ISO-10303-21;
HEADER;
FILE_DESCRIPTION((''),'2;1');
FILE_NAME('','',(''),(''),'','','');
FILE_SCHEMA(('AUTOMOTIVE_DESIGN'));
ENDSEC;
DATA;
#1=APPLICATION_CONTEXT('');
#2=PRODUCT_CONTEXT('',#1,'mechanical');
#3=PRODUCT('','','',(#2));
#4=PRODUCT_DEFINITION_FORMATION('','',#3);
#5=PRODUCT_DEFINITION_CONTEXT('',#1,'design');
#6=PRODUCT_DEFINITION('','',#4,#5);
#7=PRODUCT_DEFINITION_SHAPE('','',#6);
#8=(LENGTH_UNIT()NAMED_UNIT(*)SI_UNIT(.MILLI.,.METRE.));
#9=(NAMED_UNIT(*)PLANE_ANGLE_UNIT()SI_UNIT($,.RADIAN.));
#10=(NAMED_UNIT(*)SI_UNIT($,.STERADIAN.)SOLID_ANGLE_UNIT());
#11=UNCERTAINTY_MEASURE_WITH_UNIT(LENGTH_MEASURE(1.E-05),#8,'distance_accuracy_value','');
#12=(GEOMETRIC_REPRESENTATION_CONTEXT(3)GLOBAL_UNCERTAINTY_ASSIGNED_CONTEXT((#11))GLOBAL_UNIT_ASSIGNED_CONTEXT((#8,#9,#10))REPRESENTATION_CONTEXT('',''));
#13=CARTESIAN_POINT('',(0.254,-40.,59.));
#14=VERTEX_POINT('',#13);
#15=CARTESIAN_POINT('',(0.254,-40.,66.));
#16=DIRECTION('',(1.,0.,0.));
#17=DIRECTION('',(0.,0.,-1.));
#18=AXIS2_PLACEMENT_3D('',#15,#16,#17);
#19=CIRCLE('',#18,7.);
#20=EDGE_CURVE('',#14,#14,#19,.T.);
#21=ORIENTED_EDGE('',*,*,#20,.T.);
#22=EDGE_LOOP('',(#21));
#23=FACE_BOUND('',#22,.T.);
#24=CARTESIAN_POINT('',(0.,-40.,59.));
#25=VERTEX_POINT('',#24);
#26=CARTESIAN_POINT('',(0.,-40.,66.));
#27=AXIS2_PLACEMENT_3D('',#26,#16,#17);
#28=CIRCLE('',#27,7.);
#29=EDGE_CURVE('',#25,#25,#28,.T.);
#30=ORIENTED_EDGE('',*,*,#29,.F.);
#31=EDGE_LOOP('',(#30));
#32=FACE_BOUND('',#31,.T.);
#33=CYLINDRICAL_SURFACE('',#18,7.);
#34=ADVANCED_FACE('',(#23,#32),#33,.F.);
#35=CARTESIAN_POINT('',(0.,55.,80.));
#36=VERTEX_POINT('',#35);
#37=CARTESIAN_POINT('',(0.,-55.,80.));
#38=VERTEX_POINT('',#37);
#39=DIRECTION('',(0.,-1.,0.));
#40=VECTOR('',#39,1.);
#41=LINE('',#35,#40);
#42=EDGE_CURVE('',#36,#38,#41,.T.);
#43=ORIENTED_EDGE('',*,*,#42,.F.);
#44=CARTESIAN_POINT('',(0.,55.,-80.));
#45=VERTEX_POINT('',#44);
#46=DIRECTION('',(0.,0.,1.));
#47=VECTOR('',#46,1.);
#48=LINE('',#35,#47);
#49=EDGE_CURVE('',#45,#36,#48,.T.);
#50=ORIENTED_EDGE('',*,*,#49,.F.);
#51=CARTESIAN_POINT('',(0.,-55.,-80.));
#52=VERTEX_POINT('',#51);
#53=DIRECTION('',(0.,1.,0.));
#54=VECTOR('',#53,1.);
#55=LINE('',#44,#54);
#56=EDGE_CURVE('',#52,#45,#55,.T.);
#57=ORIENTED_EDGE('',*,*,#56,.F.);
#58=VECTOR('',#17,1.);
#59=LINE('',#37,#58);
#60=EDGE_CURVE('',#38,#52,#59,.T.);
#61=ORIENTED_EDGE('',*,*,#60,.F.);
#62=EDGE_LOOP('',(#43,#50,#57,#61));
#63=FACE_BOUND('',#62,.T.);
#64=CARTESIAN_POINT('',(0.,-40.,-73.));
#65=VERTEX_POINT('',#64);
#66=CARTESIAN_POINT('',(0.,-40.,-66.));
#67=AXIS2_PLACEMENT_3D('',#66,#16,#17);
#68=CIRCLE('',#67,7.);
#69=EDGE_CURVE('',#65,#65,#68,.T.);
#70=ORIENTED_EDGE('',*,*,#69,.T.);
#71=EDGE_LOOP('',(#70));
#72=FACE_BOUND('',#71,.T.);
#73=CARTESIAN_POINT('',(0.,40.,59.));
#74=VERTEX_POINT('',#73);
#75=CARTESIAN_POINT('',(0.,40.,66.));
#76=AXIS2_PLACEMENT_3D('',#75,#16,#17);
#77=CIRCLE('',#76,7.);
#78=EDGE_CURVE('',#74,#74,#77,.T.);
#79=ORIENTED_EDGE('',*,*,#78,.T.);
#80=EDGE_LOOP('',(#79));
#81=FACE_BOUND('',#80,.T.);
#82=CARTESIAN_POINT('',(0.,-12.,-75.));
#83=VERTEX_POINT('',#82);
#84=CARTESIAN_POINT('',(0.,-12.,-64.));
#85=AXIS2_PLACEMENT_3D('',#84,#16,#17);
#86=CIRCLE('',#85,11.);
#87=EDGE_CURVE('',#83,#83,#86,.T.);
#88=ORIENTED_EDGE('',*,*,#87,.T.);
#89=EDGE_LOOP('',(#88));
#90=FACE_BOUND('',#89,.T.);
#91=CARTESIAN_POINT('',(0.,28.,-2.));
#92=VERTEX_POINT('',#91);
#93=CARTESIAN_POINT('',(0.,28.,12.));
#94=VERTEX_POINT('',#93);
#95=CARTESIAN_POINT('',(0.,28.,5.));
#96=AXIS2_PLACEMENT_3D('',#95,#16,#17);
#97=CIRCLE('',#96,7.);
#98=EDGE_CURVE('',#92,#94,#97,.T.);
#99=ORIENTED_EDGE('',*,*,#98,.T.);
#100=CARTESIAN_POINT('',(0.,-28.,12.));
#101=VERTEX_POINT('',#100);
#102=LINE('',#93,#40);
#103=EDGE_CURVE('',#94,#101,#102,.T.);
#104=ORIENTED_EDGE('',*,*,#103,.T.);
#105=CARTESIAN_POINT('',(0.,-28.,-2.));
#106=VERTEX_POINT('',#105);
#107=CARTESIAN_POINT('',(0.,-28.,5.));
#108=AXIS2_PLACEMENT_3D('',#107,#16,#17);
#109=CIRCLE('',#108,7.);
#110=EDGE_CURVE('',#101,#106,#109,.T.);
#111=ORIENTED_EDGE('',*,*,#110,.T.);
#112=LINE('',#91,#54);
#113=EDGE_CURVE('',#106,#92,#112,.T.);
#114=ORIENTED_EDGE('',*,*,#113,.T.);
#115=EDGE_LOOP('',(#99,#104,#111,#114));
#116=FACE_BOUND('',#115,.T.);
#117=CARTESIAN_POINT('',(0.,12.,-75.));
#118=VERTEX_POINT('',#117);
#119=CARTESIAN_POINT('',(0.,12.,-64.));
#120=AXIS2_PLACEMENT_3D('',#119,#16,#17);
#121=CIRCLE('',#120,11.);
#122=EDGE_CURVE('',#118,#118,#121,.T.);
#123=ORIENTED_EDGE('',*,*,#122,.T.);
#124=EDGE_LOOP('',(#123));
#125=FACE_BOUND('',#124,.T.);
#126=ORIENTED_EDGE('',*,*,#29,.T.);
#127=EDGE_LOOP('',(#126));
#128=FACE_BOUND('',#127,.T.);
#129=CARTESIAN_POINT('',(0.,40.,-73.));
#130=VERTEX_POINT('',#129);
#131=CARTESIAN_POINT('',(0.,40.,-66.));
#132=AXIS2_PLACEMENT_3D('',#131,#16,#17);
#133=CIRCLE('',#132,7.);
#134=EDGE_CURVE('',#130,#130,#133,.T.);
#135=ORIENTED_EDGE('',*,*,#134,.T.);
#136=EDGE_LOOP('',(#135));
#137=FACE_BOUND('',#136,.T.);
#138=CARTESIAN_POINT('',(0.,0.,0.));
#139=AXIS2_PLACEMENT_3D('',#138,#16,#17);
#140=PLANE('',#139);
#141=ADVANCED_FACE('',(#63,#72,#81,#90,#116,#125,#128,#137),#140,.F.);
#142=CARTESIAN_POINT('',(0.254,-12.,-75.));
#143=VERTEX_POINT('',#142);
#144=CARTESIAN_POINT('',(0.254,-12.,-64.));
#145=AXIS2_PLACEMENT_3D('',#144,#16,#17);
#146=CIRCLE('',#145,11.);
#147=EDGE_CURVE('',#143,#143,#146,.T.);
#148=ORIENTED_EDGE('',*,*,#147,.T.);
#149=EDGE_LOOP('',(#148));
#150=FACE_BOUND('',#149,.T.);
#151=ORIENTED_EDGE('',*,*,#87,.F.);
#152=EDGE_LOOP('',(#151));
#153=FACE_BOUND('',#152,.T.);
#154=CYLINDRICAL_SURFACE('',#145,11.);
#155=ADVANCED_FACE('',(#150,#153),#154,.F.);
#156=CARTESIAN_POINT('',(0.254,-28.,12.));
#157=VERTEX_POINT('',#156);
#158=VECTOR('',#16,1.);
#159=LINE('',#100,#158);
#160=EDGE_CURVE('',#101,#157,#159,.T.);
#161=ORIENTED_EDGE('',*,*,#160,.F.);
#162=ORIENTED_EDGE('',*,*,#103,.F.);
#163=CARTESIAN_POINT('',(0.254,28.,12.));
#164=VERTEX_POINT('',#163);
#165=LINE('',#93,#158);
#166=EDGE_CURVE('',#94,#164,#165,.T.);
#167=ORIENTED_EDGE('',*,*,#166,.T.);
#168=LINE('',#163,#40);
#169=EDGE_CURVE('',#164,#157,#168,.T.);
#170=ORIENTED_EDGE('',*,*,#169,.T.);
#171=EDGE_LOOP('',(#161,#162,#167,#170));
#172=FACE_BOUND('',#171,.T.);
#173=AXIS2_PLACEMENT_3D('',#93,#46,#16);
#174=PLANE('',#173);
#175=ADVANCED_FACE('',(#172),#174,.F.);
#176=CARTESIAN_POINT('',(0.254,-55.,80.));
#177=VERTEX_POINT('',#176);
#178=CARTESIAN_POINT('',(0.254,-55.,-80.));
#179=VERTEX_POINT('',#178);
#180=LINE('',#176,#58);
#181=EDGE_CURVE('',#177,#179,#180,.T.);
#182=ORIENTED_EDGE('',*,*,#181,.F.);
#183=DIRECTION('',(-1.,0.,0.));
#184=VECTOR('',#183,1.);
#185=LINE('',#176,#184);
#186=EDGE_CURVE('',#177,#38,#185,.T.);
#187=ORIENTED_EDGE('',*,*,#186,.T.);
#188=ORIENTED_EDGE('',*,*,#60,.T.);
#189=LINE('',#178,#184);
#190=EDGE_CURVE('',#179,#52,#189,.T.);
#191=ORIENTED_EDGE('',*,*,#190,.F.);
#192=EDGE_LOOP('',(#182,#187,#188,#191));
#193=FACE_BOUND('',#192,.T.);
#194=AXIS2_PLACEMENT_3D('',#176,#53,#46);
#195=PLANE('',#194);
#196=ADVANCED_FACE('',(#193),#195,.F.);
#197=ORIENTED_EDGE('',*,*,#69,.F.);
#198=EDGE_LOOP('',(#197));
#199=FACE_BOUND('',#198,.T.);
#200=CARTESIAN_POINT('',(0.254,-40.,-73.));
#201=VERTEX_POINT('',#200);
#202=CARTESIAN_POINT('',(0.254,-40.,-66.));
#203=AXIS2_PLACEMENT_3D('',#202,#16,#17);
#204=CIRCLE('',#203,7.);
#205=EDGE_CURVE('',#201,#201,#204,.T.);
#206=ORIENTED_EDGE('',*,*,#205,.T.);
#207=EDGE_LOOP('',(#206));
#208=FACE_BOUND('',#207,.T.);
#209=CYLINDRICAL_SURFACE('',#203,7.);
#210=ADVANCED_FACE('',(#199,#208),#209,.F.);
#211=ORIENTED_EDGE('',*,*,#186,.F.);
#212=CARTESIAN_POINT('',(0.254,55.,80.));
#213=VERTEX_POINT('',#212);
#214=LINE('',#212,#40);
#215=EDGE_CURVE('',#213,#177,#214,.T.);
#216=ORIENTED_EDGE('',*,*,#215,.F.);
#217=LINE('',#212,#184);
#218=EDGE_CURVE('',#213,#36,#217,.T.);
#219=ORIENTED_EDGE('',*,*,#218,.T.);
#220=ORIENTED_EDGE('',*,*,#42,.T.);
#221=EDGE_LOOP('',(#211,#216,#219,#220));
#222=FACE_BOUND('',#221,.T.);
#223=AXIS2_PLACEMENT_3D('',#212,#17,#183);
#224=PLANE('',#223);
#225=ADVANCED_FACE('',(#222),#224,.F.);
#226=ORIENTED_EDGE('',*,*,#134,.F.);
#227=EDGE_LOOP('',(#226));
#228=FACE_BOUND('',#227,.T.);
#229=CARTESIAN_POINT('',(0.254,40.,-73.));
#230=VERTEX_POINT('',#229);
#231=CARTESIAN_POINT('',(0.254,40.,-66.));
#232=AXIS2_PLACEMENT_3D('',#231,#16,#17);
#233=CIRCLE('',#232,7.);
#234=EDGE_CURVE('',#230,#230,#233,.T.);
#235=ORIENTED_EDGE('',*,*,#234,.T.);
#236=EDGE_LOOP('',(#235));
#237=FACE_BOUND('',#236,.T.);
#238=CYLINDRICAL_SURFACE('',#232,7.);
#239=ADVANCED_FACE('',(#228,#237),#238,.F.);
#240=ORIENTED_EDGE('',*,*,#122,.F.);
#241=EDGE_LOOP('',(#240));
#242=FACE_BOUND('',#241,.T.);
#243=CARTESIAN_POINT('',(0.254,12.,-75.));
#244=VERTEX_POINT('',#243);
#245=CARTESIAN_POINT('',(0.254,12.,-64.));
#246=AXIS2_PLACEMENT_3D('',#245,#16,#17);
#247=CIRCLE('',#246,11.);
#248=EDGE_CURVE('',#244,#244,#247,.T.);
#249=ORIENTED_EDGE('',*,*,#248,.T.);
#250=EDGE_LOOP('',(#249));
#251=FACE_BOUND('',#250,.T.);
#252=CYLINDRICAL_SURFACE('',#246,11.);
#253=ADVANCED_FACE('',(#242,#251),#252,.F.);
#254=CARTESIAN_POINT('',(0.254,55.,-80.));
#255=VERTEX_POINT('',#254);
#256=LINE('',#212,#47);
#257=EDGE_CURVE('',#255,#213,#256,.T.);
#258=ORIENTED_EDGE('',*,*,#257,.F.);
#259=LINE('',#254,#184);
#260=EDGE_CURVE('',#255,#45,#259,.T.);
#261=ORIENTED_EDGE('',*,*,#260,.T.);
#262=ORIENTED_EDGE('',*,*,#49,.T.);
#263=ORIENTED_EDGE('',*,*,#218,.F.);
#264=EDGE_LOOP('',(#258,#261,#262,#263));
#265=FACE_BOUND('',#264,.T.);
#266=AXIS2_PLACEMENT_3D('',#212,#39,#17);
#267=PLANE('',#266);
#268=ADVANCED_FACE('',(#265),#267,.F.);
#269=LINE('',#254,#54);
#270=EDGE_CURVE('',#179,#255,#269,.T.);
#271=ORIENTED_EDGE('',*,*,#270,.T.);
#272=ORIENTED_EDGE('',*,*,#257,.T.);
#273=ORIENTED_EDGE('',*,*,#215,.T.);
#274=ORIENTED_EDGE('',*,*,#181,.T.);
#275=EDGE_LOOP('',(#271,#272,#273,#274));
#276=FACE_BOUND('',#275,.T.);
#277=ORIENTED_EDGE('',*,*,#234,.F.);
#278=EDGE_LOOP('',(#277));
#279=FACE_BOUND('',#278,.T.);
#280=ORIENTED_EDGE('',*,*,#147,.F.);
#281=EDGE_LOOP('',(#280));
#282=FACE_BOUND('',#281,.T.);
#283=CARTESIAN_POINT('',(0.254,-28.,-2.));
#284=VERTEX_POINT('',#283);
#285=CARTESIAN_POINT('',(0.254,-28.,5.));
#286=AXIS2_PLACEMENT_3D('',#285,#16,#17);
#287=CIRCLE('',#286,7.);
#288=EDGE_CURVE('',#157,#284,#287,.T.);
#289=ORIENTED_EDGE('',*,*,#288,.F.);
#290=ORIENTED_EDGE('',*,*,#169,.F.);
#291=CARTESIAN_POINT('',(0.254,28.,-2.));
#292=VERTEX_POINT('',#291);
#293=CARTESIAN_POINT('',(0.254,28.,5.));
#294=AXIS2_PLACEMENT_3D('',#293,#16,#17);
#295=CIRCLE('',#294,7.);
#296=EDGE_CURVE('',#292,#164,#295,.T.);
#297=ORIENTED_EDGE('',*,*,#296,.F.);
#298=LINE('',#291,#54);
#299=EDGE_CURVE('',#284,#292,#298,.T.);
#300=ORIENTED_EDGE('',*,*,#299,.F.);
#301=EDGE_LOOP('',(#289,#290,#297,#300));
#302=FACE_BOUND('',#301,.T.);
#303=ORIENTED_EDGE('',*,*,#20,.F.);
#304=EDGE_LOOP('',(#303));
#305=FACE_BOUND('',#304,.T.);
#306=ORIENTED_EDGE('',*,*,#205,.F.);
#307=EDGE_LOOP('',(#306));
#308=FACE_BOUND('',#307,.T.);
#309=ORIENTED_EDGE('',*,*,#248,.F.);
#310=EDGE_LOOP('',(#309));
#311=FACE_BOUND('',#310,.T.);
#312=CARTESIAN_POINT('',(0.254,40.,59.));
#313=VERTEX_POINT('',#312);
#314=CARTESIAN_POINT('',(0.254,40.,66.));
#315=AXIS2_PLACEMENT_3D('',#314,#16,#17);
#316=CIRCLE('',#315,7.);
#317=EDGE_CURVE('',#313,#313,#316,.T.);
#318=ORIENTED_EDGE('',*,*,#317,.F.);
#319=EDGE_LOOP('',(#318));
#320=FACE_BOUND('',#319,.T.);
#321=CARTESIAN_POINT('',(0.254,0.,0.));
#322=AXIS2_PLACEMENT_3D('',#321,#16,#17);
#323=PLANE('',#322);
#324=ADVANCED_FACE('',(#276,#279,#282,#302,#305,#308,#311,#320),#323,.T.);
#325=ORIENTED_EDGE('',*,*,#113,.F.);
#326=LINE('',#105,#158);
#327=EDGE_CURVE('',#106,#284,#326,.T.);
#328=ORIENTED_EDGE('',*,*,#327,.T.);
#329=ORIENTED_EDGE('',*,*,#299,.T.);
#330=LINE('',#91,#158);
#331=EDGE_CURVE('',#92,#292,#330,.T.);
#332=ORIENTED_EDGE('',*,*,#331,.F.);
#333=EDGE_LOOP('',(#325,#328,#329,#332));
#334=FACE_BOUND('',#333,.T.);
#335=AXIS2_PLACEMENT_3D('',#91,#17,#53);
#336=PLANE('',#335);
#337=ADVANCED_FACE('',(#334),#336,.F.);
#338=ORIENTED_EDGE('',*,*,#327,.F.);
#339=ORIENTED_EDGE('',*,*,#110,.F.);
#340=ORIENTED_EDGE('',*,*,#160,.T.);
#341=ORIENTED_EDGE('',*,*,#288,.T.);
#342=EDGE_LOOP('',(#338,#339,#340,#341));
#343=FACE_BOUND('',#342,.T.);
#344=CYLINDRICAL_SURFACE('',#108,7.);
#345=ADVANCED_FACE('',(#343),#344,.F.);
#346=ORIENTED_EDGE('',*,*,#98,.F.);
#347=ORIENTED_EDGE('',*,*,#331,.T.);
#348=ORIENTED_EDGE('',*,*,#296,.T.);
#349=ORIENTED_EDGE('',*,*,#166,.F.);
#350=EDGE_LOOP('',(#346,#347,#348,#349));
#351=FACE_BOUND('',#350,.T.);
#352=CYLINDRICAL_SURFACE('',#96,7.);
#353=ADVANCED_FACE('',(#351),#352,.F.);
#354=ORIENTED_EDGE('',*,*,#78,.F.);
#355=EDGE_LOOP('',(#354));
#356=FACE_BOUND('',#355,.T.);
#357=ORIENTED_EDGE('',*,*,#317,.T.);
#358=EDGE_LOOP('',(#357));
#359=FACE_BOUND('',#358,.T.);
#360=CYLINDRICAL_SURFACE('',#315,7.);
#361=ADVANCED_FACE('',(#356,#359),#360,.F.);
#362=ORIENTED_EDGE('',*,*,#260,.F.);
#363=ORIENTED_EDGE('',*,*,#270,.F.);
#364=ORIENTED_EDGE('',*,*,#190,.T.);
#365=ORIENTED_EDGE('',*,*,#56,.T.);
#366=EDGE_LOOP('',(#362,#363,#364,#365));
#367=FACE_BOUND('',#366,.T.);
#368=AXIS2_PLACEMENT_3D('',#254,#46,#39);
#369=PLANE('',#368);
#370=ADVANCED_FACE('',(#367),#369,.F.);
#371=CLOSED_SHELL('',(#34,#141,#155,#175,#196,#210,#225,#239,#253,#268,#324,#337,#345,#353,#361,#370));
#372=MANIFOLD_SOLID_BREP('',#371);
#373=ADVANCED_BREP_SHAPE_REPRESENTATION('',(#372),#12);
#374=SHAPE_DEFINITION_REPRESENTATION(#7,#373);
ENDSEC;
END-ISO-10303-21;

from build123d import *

# Parameters (mm, degrees)
SKETCH1_W             = 160
SKETCH1_H             = 110
BOSS_EXTRUDE1_DEPTH   = 0.254
M12_CLEARANCE_HOLE1_D = 14
CUT_EXTRUDE1_DEPTH    = 98.082771468
M20_CLEARANCE_HOLE1_D = 22


with BuildPart() as part:
    # Sketch1 → Boss-Extrude1 (new body)
    with BuildSketch(Plane(origin=(0, 0, 0), x_dir=(0, 0, -1), z_dir=(1, 0, 0))):
        Rectangle(SKETCH1_W, SKETCH1_H)
    extrude(amount=BOSS_EXTRUDE1_DEPTH)

    # M12 Clearance Hole1 (through all)
    with Locations(Plane(origin=(0.254, 0, 0), x_dir=(0, 0, -1), z_dir=(1, 0, 0))):
        with Locations((-66, 40), (66, 40), (66, -40), (-66, -40)):
            Hole(M12_CLEARANCE_HOLE1_D / 2)

    # Sketch4 → Cut-Extrude1 (cut, through all)
    with BuildSketch(Plane(origin=(0.254, 0, 0), x_dir=(0, 0, -1), z_dir=(1, 0, 0))):
        with BuildLine():
            Line((2, 28), (2, -28))
            ThreePointArc((2, -28), (-5, -35), (-12, -28))
            Line((-12, -28), (-12, 28))
            ThreePointArc((-12, 28), (-5, 35), (2, 28))
        make_face()
    extrude(amount=-CUT_EXTRUDE1_DEPTH, mode=Mode.SUBTRACT)

    # M20 Clearance Hole1 (through all)
    with Locations(Plane(origin=(0.254, 0, 0), x_dir=(0, 0, -1), z_dir=(1, 0, 0))):
        with Locations((64, 12), (64, -12)):
            Hole(M20_CLEARANCE_HOLE1_D / 2)


solid = part.part
